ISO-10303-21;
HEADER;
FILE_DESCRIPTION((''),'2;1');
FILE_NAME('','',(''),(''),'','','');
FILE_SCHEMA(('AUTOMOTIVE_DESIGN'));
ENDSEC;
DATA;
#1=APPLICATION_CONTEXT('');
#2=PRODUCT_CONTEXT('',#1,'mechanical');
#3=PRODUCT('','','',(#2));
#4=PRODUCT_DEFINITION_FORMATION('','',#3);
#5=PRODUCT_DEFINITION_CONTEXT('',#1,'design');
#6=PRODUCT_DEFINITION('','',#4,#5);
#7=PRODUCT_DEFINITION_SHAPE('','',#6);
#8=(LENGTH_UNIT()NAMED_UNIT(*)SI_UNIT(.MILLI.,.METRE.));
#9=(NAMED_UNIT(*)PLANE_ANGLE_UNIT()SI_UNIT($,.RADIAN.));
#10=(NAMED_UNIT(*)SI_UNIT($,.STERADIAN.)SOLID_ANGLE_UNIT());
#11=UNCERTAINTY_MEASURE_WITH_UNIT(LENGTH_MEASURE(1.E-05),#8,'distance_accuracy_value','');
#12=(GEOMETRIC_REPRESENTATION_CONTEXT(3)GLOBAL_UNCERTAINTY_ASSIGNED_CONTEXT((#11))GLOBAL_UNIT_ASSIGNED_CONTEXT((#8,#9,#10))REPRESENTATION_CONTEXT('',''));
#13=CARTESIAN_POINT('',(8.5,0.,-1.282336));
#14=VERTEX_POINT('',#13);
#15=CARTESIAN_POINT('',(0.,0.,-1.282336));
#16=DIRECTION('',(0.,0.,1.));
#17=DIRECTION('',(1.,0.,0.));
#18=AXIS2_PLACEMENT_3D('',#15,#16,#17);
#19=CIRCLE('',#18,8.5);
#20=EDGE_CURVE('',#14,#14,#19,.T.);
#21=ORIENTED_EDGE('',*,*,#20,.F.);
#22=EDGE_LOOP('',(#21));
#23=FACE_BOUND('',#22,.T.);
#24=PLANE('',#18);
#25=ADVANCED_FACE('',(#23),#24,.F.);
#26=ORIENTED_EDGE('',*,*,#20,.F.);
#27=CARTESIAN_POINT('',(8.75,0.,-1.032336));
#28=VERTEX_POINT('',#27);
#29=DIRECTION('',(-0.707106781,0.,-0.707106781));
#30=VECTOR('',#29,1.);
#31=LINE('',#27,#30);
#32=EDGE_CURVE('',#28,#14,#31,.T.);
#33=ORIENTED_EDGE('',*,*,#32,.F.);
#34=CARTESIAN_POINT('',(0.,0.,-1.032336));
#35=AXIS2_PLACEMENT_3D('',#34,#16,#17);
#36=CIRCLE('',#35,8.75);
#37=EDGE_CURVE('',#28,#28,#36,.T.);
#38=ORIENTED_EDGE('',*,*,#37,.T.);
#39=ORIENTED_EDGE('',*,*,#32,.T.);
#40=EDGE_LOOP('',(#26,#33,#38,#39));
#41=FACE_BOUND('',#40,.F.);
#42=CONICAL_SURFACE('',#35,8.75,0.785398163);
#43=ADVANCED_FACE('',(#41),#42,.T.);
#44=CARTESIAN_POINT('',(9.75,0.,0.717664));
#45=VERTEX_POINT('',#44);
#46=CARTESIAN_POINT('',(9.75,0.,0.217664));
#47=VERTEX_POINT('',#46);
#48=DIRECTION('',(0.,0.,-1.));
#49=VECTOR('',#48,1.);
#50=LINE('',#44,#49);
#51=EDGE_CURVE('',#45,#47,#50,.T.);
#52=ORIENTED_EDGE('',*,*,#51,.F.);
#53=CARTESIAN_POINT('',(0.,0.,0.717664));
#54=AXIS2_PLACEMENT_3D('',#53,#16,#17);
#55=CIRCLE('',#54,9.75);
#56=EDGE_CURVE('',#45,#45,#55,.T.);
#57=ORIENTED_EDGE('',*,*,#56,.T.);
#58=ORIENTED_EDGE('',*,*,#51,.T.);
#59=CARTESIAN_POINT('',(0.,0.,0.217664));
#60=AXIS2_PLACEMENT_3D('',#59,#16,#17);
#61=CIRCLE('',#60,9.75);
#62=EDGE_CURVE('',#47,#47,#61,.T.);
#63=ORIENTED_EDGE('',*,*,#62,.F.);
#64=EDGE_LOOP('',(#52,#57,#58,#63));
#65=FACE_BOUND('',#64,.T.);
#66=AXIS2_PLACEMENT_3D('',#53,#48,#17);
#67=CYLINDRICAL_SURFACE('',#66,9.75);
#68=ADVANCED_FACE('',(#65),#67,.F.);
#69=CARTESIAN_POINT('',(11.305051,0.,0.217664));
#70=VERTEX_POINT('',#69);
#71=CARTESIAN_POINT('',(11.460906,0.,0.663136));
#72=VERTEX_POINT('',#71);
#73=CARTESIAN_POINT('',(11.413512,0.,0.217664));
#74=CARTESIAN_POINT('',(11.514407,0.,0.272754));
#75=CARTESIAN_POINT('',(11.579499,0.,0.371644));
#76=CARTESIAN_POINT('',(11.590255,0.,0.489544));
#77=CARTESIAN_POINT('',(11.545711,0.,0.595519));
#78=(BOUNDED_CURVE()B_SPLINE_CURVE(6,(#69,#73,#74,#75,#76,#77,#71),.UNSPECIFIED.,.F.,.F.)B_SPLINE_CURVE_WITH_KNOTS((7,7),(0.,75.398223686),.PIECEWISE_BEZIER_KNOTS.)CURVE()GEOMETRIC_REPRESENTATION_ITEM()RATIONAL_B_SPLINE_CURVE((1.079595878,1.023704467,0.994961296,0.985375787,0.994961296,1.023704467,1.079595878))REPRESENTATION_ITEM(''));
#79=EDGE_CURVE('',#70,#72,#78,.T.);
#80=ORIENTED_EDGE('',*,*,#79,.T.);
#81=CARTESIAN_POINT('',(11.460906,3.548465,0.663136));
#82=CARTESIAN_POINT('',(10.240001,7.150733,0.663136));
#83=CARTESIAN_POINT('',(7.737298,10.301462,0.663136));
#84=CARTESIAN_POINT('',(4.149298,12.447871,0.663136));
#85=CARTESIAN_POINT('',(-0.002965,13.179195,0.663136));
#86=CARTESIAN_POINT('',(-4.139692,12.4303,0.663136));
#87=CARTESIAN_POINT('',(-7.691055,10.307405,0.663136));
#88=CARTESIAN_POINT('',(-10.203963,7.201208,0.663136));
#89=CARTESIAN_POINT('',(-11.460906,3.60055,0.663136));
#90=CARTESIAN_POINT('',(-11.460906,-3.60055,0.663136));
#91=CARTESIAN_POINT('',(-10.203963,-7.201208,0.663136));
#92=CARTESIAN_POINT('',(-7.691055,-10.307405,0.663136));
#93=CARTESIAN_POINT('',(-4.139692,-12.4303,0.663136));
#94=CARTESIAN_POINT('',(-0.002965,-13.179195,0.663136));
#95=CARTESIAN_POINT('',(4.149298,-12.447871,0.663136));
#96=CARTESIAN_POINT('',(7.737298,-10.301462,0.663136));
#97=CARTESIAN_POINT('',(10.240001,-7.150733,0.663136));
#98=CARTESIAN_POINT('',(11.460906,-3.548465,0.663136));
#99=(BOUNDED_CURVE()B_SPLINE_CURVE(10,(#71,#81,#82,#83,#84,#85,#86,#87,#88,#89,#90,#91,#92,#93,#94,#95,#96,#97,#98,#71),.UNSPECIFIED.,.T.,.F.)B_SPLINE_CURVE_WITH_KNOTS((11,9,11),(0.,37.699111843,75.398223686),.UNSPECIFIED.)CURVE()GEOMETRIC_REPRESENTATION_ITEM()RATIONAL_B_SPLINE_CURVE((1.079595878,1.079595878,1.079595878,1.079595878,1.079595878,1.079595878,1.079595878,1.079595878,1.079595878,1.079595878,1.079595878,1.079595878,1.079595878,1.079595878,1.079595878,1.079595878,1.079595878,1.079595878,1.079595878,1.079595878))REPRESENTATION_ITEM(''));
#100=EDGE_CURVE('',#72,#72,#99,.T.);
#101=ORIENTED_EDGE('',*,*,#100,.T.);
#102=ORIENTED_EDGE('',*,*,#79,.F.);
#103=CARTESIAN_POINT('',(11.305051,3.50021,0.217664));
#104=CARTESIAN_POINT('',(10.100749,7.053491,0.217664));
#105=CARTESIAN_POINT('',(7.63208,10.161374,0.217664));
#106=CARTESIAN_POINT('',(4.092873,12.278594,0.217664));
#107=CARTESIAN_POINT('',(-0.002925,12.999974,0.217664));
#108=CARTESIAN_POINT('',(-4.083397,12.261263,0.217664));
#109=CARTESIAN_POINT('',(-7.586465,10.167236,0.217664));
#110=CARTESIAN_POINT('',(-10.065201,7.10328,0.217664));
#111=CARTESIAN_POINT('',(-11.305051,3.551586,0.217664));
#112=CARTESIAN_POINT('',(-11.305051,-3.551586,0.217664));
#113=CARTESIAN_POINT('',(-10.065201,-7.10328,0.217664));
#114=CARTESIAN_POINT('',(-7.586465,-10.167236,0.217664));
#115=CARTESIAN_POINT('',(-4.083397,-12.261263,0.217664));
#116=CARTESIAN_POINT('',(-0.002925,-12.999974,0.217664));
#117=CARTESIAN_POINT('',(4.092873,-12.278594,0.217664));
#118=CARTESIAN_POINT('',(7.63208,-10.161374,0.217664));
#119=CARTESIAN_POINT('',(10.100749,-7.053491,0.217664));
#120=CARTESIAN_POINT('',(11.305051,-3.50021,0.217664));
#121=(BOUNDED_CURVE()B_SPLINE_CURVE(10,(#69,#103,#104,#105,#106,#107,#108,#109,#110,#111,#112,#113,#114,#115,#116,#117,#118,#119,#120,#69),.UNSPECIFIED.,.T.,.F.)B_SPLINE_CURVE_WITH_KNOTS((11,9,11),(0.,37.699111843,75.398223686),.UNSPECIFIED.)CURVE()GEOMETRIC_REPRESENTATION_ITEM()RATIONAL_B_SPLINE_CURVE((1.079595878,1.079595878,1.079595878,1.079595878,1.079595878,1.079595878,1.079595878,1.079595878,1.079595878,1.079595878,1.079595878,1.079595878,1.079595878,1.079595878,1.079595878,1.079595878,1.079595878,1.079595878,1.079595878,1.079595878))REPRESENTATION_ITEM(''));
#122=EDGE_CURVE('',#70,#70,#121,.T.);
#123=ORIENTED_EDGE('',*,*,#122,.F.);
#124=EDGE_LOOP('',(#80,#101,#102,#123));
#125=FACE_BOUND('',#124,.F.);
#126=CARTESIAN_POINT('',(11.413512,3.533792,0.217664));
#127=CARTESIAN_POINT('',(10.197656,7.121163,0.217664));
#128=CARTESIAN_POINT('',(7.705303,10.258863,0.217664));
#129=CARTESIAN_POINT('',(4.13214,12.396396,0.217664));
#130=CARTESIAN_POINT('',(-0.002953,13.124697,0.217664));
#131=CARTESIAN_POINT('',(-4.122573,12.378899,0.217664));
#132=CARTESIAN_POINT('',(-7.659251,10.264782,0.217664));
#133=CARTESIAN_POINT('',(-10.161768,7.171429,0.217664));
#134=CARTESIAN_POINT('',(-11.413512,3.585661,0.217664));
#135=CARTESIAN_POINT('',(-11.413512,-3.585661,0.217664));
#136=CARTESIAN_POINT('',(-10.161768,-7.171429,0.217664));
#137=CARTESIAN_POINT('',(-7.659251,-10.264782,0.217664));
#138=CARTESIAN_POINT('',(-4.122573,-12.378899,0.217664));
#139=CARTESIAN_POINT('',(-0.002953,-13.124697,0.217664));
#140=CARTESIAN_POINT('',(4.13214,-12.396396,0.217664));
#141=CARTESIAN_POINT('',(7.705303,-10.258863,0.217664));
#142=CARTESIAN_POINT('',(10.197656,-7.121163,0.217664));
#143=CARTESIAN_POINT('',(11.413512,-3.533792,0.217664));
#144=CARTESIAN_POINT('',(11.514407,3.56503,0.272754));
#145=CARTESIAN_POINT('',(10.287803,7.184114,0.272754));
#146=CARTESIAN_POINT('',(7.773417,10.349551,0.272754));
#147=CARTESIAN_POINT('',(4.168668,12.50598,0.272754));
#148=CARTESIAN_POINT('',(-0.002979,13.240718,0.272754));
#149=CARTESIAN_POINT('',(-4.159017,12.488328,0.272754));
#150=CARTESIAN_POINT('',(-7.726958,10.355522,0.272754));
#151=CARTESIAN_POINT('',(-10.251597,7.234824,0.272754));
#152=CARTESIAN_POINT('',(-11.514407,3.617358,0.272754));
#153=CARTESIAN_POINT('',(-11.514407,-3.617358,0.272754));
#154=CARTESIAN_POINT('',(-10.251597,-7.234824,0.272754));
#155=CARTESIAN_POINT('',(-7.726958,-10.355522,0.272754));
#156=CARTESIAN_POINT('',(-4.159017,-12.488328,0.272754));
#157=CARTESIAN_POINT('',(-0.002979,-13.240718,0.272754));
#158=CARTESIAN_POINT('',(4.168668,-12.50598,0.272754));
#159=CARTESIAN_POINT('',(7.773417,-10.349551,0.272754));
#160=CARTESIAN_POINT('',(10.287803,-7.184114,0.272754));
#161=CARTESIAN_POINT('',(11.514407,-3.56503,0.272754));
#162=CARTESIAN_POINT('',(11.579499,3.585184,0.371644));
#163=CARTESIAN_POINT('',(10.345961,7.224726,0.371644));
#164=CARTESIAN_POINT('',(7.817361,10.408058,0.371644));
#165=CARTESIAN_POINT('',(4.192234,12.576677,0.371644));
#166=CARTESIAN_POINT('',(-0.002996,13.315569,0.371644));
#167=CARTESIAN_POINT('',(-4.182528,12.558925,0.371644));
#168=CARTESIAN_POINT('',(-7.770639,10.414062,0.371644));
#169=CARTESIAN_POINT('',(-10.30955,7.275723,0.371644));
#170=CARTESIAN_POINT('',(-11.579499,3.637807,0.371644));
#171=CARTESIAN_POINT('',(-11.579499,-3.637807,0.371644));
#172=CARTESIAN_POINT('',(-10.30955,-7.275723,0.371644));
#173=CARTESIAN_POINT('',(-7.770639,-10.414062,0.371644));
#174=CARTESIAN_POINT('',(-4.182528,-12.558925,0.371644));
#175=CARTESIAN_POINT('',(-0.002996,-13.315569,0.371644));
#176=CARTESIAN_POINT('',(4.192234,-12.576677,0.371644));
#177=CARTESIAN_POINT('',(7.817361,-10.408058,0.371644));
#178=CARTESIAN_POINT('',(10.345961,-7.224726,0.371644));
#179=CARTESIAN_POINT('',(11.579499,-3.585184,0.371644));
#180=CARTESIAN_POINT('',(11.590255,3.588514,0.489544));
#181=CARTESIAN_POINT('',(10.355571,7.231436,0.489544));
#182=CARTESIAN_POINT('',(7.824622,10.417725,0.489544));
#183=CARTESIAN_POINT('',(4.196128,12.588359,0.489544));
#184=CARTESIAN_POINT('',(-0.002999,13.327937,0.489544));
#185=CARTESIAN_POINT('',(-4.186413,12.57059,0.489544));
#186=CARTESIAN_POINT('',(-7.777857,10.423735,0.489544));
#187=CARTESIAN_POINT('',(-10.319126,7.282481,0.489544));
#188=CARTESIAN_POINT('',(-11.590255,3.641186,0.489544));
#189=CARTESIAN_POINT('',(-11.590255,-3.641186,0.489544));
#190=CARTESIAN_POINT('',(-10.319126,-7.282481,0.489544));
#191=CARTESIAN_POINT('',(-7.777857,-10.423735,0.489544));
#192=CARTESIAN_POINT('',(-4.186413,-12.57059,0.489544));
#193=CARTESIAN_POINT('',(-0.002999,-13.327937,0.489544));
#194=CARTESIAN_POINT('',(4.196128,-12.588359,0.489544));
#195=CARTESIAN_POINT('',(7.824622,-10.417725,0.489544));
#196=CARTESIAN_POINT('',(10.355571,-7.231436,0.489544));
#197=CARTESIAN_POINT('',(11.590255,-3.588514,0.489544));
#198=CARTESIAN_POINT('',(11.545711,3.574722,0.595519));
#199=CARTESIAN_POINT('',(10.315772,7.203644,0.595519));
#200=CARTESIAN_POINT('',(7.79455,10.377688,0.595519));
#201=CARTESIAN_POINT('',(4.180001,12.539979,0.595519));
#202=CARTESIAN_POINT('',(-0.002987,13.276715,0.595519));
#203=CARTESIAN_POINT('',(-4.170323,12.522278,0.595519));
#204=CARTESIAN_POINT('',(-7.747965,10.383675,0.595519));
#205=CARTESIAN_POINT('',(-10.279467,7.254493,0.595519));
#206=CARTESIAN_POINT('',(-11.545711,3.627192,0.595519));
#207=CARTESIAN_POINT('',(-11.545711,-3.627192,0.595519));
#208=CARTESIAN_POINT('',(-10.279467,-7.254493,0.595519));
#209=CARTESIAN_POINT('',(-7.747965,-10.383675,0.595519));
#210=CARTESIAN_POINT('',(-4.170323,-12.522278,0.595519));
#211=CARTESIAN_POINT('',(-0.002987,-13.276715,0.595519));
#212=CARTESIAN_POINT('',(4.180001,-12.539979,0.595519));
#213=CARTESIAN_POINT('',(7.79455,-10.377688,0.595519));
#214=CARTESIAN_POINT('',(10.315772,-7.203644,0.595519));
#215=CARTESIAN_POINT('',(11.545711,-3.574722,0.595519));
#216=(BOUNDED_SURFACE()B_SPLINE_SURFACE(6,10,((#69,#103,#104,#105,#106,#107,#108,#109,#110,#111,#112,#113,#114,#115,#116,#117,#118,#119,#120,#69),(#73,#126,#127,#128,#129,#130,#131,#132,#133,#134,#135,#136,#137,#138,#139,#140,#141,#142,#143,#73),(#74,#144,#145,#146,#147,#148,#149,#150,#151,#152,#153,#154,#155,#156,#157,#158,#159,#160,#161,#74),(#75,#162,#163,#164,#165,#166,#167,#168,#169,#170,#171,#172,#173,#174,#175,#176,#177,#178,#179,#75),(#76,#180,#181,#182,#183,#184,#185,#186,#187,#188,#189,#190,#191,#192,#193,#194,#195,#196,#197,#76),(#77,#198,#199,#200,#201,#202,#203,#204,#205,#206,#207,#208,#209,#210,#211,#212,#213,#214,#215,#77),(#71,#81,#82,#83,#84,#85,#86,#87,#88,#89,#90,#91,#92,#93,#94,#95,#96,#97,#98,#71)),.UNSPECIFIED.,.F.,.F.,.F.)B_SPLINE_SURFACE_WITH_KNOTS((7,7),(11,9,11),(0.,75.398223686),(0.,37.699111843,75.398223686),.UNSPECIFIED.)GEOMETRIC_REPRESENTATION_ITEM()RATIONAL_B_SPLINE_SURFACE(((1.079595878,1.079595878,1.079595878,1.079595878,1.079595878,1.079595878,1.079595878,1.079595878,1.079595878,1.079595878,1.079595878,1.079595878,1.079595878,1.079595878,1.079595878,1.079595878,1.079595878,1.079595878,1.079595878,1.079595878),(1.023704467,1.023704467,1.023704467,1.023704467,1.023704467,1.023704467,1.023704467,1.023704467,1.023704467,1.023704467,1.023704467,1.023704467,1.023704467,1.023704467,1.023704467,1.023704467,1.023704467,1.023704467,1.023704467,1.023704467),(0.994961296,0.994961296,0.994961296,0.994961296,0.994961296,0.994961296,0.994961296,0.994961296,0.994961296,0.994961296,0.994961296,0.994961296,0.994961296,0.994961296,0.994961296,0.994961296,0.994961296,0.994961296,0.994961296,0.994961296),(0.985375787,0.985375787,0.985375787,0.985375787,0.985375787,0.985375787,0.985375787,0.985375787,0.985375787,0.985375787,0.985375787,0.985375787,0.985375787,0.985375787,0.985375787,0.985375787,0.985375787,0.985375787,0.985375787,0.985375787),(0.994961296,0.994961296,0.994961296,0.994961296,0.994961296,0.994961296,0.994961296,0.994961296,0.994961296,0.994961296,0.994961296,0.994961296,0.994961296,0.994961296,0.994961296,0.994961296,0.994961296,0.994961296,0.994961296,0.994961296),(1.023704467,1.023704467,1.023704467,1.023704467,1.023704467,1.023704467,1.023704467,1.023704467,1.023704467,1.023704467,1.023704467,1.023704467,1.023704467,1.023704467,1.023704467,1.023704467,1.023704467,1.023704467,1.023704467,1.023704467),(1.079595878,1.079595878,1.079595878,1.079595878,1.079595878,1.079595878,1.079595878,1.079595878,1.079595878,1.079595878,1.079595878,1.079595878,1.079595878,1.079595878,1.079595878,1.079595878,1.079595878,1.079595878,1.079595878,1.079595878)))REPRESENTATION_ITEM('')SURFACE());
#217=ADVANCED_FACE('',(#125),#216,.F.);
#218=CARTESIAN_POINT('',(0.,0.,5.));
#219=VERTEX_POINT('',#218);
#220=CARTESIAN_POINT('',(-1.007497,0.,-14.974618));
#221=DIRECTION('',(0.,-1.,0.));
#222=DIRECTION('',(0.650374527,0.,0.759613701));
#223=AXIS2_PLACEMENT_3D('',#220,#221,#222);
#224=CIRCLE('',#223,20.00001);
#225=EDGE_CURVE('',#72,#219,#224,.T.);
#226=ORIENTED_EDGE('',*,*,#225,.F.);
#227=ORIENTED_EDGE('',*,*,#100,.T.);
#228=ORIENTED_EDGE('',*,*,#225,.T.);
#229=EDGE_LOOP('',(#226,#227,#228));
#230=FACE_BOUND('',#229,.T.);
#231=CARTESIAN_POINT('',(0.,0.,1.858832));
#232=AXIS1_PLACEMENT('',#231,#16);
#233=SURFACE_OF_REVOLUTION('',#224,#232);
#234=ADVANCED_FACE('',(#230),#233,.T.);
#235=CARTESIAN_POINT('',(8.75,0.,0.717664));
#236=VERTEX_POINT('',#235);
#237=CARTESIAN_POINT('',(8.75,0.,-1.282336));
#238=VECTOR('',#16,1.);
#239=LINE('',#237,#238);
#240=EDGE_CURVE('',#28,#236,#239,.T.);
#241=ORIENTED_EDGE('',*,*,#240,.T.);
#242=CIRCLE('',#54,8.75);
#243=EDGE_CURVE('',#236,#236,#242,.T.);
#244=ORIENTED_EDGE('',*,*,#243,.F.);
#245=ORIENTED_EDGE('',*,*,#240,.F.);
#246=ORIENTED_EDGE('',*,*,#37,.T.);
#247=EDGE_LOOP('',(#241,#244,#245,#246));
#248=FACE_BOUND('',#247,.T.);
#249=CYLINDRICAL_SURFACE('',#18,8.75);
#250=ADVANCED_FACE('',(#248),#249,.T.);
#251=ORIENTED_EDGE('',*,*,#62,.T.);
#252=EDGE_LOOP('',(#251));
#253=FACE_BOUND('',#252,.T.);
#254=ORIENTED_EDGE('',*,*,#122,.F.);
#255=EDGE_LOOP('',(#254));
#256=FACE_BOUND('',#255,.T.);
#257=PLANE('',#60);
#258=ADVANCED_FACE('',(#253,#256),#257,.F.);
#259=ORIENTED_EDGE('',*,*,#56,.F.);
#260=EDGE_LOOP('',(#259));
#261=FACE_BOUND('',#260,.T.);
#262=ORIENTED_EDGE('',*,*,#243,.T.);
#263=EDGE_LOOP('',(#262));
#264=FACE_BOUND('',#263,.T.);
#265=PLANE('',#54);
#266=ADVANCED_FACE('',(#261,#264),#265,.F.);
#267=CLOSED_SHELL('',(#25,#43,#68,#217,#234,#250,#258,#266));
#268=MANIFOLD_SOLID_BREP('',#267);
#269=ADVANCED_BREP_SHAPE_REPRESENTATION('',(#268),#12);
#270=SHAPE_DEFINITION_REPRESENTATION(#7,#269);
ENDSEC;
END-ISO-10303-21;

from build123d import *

# Parameters (mm, degrees)
F2_R    = 0.25
F3_SIZE = 0.25


with BuildPart() as f1:
    # F0 (on Front) → F1 (revolve)
    with BuildSketch(Plane.XZ):
        with BuildLine():
            Line((8.75, -1.282336), (8.75, 0.217664))
            Line((8.75, 0.217664), (8.75, 0.717664))
            Line((8.75, 0.717664), (9.75, 0.717664))
            Line((9.75, 0.717664), (9.75, 0.217664))
            Line((9.75, 0.217664), (12, 0.217664))
            ThreePointArc((12, 0.217664), (6.396738, 3.604341), (0, 5))
            Line((0, 5), (0, -1.282336))
            Line((0, -1.282336), (8.75, -1.282336))
        make_face()
    revolve(axis=Axis((0, 0, 1.858832), (0, 0, 1)))

    # F2
    f2_edges = [f1.edges().sort_by_distance(p)[0] for p in [
        (-12, 0, 0.217664),
    ]]
    fillet(f2_edges, radius=F2_R)

    # F3
    f3_edges = [f1.edges().sort_by_distance(p)[0] for p in [
        (-8.75, 0, -1.282336),
    ]]
    chamfer(f3_edges, length=F3_SIZE)


solid = f1.part
